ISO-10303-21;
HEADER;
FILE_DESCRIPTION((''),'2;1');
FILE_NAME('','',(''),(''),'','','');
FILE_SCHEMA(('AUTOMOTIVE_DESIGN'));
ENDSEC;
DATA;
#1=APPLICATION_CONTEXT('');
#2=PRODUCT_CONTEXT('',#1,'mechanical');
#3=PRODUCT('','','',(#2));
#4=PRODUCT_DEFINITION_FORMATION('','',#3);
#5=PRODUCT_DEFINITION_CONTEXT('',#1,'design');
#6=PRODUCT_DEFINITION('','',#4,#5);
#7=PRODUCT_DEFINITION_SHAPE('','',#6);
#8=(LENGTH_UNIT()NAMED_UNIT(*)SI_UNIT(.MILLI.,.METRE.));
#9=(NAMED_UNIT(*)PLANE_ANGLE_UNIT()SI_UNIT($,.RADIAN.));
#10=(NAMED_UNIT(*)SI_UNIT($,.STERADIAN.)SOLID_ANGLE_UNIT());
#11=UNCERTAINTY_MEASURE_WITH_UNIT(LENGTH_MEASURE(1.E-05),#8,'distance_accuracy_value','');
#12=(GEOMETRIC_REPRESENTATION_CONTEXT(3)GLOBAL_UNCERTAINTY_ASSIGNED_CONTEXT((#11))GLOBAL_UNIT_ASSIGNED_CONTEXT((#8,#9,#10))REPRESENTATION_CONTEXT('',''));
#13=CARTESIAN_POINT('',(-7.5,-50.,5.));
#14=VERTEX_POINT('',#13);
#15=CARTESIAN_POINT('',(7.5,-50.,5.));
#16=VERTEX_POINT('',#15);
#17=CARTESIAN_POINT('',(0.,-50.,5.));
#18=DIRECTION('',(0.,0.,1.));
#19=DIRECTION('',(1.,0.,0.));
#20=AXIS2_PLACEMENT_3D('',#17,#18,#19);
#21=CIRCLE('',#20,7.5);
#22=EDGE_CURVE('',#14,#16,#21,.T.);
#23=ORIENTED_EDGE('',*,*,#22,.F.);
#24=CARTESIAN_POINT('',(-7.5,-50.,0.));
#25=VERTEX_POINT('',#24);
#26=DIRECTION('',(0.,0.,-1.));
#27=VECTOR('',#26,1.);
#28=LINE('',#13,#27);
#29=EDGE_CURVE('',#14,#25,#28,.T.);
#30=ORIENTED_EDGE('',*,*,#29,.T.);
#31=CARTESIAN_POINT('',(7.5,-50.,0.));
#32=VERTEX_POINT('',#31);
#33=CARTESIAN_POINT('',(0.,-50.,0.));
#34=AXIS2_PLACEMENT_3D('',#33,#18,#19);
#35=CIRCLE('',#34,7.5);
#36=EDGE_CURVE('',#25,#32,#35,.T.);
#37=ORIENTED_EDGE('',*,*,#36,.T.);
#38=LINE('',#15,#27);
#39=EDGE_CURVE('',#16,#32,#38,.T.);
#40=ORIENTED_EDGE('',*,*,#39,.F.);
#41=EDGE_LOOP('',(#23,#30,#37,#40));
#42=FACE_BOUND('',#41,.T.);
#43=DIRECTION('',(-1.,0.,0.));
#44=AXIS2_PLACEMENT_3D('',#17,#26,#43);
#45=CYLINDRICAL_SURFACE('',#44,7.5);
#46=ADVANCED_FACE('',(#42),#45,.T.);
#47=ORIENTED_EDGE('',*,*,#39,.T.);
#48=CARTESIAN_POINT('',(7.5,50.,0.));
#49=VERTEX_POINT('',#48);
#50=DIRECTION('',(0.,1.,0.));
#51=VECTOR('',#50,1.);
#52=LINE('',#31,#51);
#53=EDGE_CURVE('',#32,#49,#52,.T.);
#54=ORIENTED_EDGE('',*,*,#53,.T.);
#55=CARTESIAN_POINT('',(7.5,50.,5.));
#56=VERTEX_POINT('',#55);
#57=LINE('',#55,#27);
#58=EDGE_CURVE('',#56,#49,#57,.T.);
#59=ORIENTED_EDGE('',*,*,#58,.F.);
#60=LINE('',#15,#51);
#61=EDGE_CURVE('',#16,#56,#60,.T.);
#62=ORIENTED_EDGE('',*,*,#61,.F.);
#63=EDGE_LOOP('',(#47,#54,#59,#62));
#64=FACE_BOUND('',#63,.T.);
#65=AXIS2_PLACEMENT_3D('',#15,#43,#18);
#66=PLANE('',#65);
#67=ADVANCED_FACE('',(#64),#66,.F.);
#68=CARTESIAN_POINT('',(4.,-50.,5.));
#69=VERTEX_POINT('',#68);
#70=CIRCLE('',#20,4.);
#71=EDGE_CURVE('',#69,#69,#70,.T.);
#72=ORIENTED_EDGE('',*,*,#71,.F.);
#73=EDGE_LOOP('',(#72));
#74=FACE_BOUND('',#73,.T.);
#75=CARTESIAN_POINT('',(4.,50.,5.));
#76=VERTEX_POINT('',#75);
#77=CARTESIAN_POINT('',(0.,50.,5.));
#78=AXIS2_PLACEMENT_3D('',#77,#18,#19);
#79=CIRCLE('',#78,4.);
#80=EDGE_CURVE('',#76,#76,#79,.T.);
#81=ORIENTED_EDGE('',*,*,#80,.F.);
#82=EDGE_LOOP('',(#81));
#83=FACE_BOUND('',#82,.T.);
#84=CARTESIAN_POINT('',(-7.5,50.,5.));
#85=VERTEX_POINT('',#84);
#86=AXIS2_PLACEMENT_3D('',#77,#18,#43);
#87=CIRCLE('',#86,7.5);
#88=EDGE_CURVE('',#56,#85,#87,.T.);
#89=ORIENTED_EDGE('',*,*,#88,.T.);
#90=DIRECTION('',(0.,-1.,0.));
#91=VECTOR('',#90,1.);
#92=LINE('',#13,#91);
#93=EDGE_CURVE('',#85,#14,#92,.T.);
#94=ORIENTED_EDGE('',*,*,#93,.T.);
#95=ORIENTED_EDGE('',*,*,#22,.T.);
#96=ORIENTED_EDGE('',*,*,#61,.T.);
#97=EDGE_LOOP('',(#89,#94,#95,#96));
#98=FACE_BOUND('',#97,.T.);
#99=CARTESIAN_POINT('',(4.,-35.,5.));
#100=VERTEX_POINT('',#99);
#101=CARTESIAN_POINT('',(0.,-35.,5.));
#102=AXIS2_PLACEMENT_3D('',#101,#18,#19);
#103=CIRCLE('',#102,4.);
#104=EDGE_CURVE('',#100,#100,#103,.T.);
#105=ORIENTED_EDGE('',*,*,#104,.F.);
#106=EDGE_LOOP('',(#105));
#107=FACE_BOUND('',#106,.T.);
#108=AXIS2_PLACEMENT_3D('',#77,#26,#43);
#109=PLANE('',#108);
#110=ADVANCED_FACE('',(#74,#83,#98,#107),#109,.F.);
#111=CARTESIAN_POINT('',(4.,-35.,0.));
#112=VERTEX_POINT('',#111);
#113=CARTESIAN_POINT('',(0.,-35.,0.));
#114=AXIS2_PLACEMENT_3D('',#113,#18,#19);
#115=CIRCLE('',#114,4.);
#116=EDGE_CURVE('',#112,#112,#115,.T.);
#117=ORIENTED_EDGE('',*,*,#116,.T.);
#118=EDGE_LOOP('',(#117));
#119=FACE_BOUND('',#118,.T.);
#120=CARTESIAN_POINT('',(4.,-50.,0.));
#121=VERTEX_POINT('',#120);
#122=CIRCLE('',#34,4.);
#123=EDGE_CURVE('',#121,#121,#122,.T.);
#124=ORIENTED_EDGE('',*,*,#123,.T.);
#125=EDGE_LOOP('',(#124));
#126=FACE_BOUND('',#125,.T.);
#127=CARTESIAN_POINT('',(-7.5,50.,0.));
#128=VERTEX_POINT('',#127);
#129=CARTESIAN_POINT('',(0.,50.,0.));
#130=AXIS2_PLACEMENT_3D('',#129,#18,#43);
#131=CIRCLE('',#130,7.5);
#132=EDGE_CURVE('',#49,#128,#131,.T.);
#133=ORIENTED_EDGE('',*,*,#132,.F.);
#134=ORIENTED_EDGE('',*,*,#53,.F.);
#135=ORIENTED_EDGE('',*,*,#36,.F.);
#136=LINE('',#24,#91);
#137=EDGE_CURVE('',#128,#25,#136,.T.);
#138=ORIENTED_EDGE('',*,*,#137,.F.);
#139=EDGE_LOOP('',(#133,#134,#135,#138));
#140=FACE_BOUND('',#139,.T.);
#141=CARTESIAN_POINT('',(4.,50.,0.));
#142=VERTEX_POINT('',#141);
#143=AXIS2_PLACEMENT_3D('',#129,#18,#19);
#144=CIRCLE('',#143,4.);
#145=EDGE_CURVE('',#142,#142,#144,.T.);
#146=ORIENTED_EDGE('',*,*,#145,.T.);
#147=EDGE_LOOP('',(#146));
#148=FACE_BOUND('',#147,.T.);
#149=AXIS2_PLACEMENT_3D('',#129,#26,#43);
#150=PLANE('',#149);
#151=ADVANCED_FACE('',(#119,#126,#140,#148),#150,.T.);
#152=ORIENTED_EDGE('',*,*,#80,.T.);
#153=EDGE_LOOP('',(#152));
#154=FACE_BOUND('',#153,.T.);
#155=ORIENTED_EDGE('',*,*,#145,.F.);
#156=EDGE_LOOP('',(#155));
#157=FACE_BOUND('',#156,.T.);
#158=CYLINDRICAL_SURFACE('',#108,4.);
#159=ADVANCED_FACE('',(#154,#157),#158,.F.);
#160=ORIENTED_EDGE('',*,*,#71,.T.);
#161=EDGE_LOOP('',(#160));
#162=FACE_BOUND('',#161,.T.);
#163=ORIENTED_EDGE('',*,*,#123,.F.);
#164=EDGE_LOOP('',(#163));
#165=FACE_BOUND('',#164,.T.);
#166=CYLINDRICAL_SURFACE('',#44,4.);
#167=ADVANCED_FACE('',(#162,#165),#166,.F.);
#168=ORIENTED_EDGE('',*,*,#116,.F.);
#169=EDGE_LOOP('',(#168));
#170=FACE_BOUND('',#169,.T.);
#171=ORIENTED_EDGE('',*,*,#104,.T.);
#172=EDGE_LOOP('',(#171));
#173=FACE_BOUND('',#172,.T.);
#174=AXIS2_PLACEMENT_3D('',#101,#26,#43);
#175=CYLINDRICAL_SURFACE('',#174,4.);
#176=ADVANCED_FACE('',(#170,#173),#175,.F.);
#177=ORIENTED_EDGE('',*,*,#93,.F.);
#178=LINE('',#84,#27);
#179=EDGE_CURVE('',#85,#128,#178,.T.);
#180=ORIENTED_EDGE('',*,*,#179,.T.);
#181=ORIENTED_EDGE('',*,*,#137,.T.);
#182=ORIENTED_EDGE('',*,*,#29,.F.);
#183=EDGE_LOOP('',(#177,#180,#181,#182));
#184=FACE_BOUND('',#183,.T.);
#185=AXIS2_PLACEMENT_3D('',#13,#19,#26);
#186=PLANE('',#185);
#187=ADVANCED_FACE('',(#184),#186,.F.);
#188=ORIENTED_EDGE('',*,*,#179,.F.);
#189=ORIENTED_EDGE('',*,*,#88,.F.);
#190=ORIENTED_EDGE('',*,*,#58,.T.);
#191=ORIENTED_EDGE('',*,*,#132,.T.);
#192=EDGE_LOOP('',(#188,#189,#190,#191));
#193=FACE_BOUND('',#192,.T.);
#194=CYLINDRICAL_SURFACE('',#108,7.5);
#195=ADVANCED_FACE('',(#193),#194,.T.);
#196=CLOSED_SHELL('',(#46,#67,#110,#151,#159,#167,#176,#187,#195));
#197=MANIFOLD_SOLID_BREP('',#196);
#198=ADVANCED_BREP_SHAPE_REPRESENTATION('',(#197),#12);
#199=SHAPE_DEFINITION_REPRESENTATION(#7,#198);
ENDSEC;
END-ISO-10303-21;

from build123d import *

# Parameters (mm, degrees)
SCHIZZO1_R        = 4
ESTRUSIONE1_DEPTH = 5


with BuildPart() as part:
    # Schizzo1 → Estrusione1 (new body)
    with BuildSketch(Plane.XY):
        with BuildLine():
            Line((-7.5, -50), (-7.5, 50))
            ThreePointArc((-7.5, 50), (0, 57.5), (7.5, 50))
            Line((7.5, 50), (7.5, -50))
            ThreePointArc((7.5, -50), (0, -57.5), (-7.5, -50))
        make_face()
        with Locations((0, 50)):
            Circle(SCHIZZO1_R, mode=Mode.SUBTRACT)
        with Locations((0, -35)):
            Circle(SCHIZZO1_R, mode=Mode.SUBTRACT)
        with Locations((0, -50)):
            Circle(SCHIZZO1_R, mode=Mode.SUBTRACT)
    extrude(amount=ESTRUSIONE1_DEPTH)


solid = part.part
